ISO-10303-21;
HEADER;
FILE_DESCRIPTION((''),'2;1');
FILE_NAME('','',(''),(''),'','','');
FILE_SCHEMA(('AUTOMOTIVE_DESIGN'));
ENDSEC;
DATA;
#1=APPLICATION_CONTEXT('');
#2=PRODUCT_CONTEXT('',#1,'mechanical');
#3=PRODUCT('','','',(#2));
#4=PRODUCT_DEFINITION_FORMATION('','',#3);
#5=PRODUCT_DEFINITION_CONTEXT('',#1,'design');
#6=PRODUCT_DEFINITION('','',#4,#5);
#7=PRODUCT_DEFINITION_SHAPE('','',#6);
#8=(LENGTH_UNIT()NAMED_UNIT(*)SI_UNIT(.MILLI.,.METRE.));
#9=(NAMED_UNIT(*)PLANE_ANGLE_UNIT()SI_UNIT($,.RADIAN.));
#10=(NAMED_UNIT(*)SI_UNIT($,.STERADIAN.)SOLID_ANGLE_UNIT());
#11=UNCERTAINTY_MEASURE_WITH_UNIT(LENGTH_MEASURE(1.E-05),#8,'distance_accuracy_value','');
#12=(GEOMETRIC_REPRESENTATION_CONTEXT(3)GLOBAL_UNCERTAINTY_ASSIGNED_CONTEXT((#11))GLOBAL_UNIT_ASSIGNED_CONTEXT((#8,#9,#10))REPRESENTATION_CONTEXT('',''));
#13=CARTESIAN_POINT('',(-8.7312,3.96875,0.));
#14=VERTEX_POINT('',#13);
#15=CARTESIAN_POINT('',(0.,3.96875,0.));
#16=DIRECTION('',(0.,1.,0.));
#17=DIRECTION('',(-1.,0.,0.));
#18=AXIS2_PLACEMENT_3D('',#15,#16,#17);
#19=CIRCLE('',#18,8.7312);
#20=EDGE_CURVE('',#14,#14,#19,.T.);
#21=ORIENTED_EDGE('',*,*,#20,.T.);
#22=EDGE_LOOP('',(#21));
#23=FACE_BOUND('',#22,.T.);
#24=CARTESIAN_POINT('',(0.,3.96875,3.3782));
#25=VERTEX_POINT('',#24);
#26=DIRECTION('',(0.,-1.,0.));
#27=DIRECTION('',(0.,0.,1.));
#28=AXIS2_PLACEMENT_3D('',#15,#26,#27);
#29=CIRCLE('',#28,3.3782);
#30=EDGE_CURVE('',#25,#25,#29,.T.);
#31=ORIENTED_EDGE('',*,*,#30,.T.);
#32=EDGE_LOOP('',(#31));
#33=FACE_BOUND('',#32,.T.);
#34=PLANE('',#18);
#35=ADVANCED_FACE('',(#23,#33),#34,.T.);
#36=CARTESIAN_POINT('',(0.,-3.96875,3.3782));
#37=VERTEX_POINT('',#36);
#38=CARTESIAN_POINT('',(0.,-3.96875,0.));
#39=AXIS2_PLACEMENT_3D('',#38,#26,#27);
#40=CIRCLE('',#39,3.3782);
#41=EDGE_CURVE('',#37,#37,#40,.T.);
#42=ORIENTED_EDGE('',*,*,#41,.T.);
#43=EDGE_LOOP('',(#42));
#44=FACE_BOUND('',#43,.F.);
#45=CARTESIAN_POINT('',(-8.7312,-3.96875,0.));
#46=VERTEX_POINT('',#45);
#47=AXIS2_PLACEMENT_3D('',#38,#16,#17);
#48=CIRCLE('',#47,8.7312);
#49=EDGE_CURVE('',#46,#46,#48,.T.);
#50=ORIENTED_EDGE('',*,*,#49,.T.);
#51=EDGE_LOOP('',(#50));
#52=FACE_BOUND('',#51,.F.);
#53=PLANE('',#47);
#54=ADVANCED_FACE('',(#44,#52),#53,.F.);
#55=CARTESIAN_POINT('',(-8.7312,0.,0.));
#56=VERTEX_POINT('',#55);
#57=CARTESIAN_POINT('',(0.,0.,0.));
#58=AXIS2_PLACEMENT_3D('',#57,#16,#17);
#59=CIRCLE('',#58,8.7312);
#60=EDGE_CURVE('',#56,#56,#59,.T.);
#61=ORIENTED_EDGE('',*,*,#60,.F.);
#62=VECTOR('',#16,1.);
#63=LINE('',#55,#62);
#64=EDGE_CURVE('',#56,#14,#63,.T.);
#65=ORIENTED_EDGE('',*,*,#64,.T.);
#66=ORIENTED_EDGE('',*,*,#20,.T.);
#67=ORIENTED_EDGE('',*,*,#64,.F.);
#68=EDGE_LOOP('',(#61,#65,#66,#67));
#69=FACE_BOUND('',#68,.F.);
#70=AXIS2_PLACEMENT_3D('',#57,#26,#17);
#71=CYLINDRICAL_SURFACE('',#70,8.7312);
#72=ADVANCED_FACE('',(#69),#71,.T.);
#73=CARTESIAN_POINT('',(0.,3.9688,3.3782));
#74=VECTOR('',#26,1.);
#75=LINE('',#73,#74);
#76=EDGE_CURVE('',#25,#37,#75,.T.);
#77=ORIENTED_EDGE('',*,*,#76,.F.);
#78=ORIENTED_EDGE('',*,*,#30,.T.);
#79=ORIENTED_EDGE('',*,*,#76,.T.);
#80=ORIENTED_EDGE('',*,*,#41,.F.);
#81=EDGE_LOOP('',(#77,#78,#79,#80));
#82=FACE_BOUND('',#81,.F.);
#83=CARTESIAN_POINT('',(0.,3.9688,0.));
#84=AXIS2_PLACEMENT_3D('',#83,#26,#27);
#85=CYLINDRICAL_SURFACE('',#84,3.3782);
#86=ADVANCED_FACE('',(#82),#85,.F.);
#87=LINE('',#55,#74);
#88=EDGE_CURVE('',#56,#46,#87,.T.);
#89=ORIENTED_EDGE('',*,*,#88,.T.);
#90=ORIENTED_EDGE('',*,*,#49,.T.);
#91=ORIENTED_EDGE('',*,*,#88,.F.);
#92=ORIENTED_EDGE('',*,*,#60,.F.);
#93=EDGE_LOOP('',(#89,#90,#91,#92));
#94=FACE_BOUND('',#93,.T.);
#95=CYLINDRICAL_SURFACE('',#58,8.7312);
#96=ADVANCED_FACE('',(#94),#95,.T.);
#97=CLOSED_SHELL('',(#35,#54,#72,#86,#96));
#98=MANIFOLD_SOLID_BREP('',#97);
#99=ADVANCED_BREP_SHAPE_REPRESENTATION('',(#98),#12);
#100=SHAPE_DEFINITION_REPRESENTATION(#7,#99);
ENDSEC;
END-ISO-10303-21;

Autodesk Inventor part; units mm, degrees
ref_plane "YZ Plane" through (0, 0, 0) normal (1, 0, 0) x (0, 1, 0)
ref_plane "XZ Plane" through (0, 0, 0) normal (0, 1, 0) x (-1, 0, 0)
ref_plane "XY Plane" through (0, 0, 0) normal (0, 0, 1) x (1, 0, 0)
sketch "Sketch1" plane through (0, 0, 0) normal (0, 1, 0) x (-1, 0, 0)
  circle A0 centre (0, 0) radius 8.7312
  dimension "d0" = 17.4625
extrude "Extrusion1" add sketch "Sketch1" along normal mid plane 7.9375
sketch "Sketch2" plane through (0, 3.9688, 0) normal (0, 1, 0) x (1, 0, 0)
  circle A0 centre (0, 0) radius 8.7312 projected
hole "Hole1" at (0, 3.9688, 0) direction (0, -1, 0) diameter 6.7564 end through all clearance for "Flat Head Machine Screw (82)" size "1/4" standard "Ansi Unified Screw Threads"
properties part number "CLIMBER LATCH SPACER" material "ABS Plastic"
